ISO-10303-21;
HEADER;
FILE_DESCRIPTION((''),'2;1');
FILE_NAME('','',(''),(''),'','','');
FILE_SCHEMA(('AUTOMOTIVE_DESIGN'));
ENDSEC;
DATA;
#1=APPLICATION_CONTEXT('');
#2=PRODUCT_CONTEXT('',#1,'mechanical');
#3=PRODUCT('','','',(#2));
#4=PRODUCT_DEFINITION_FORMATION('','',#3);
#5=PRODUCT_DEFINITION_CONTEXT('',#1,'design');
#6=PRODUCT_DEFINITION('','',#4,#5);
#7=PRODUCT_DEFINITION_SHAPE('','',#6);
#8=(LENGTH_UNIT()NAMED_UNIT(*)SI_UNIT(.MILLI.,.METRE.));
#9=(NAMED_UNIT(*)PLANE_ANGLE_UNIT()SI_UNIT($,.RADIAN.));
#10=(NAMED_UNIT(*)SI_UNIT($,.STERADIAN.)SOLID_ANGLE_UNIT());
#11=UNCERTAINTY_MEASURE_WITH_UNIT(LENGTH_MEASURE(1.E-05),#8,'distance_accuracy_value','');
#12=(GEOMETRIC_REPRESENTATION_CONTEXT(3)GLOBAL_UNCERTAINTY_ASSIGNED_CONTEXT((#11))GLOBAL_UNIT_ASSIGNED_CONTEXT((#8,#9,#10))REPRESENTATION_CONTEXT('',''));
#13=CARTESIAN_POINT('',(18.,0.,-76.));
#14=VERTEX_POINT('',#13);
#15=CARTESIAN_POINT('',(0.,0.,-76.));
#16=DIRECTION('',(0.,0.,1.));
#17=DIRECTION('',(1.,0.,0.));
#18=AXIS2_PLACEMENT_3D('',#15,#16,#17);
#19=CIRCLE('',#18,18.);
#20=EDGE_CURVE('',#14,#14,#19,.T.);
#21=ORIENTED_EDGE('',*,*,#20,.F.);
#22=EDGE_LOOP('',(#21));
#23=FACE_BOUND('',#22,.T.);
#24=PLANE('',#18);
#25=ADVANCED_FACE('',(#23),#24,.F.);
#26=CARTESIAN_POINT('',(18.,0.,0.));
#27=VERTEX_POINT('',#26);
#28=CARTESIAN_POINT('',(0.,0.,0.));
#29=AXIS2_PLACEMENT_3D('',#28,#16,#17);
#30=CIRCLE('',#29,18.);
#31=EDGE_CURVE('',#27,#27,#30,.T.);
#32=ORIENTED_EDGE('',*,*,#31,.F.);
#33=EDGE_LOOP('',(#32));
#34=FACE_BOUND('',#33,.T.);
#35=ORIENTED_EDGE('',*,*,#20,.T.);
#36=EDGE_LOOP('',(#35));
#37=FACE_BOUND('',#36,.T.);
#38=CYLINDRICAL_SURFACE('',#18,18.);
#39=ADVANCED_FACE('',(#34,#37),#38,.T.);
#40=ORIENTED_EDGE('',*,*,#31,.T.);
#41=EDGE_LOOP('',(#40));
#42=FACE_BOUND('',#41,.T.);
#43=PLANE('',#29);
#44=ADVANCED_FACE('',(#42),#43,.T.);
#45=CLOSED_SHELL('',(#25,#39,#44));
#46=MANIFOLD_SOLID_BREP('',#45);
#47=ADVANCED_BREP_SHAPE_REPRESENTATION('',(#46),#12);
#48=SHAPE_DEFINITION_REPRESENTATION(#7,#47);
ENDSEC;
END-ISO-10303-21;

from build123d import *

# Parameters (mm, degrees)
SKETCH1_R           = 18
BOSS_EXTRUDE1_DEPTH = 76


with BuildPart() as part:
    # Sketch1 → Boss-Extrude1 (new body)
    with BuildSketch(Plane.XY):
        Circle(SKETCH1_R)
    extrude(amount=-BOSS_EXTRUDE1_DEPTH)


solid = part.part
